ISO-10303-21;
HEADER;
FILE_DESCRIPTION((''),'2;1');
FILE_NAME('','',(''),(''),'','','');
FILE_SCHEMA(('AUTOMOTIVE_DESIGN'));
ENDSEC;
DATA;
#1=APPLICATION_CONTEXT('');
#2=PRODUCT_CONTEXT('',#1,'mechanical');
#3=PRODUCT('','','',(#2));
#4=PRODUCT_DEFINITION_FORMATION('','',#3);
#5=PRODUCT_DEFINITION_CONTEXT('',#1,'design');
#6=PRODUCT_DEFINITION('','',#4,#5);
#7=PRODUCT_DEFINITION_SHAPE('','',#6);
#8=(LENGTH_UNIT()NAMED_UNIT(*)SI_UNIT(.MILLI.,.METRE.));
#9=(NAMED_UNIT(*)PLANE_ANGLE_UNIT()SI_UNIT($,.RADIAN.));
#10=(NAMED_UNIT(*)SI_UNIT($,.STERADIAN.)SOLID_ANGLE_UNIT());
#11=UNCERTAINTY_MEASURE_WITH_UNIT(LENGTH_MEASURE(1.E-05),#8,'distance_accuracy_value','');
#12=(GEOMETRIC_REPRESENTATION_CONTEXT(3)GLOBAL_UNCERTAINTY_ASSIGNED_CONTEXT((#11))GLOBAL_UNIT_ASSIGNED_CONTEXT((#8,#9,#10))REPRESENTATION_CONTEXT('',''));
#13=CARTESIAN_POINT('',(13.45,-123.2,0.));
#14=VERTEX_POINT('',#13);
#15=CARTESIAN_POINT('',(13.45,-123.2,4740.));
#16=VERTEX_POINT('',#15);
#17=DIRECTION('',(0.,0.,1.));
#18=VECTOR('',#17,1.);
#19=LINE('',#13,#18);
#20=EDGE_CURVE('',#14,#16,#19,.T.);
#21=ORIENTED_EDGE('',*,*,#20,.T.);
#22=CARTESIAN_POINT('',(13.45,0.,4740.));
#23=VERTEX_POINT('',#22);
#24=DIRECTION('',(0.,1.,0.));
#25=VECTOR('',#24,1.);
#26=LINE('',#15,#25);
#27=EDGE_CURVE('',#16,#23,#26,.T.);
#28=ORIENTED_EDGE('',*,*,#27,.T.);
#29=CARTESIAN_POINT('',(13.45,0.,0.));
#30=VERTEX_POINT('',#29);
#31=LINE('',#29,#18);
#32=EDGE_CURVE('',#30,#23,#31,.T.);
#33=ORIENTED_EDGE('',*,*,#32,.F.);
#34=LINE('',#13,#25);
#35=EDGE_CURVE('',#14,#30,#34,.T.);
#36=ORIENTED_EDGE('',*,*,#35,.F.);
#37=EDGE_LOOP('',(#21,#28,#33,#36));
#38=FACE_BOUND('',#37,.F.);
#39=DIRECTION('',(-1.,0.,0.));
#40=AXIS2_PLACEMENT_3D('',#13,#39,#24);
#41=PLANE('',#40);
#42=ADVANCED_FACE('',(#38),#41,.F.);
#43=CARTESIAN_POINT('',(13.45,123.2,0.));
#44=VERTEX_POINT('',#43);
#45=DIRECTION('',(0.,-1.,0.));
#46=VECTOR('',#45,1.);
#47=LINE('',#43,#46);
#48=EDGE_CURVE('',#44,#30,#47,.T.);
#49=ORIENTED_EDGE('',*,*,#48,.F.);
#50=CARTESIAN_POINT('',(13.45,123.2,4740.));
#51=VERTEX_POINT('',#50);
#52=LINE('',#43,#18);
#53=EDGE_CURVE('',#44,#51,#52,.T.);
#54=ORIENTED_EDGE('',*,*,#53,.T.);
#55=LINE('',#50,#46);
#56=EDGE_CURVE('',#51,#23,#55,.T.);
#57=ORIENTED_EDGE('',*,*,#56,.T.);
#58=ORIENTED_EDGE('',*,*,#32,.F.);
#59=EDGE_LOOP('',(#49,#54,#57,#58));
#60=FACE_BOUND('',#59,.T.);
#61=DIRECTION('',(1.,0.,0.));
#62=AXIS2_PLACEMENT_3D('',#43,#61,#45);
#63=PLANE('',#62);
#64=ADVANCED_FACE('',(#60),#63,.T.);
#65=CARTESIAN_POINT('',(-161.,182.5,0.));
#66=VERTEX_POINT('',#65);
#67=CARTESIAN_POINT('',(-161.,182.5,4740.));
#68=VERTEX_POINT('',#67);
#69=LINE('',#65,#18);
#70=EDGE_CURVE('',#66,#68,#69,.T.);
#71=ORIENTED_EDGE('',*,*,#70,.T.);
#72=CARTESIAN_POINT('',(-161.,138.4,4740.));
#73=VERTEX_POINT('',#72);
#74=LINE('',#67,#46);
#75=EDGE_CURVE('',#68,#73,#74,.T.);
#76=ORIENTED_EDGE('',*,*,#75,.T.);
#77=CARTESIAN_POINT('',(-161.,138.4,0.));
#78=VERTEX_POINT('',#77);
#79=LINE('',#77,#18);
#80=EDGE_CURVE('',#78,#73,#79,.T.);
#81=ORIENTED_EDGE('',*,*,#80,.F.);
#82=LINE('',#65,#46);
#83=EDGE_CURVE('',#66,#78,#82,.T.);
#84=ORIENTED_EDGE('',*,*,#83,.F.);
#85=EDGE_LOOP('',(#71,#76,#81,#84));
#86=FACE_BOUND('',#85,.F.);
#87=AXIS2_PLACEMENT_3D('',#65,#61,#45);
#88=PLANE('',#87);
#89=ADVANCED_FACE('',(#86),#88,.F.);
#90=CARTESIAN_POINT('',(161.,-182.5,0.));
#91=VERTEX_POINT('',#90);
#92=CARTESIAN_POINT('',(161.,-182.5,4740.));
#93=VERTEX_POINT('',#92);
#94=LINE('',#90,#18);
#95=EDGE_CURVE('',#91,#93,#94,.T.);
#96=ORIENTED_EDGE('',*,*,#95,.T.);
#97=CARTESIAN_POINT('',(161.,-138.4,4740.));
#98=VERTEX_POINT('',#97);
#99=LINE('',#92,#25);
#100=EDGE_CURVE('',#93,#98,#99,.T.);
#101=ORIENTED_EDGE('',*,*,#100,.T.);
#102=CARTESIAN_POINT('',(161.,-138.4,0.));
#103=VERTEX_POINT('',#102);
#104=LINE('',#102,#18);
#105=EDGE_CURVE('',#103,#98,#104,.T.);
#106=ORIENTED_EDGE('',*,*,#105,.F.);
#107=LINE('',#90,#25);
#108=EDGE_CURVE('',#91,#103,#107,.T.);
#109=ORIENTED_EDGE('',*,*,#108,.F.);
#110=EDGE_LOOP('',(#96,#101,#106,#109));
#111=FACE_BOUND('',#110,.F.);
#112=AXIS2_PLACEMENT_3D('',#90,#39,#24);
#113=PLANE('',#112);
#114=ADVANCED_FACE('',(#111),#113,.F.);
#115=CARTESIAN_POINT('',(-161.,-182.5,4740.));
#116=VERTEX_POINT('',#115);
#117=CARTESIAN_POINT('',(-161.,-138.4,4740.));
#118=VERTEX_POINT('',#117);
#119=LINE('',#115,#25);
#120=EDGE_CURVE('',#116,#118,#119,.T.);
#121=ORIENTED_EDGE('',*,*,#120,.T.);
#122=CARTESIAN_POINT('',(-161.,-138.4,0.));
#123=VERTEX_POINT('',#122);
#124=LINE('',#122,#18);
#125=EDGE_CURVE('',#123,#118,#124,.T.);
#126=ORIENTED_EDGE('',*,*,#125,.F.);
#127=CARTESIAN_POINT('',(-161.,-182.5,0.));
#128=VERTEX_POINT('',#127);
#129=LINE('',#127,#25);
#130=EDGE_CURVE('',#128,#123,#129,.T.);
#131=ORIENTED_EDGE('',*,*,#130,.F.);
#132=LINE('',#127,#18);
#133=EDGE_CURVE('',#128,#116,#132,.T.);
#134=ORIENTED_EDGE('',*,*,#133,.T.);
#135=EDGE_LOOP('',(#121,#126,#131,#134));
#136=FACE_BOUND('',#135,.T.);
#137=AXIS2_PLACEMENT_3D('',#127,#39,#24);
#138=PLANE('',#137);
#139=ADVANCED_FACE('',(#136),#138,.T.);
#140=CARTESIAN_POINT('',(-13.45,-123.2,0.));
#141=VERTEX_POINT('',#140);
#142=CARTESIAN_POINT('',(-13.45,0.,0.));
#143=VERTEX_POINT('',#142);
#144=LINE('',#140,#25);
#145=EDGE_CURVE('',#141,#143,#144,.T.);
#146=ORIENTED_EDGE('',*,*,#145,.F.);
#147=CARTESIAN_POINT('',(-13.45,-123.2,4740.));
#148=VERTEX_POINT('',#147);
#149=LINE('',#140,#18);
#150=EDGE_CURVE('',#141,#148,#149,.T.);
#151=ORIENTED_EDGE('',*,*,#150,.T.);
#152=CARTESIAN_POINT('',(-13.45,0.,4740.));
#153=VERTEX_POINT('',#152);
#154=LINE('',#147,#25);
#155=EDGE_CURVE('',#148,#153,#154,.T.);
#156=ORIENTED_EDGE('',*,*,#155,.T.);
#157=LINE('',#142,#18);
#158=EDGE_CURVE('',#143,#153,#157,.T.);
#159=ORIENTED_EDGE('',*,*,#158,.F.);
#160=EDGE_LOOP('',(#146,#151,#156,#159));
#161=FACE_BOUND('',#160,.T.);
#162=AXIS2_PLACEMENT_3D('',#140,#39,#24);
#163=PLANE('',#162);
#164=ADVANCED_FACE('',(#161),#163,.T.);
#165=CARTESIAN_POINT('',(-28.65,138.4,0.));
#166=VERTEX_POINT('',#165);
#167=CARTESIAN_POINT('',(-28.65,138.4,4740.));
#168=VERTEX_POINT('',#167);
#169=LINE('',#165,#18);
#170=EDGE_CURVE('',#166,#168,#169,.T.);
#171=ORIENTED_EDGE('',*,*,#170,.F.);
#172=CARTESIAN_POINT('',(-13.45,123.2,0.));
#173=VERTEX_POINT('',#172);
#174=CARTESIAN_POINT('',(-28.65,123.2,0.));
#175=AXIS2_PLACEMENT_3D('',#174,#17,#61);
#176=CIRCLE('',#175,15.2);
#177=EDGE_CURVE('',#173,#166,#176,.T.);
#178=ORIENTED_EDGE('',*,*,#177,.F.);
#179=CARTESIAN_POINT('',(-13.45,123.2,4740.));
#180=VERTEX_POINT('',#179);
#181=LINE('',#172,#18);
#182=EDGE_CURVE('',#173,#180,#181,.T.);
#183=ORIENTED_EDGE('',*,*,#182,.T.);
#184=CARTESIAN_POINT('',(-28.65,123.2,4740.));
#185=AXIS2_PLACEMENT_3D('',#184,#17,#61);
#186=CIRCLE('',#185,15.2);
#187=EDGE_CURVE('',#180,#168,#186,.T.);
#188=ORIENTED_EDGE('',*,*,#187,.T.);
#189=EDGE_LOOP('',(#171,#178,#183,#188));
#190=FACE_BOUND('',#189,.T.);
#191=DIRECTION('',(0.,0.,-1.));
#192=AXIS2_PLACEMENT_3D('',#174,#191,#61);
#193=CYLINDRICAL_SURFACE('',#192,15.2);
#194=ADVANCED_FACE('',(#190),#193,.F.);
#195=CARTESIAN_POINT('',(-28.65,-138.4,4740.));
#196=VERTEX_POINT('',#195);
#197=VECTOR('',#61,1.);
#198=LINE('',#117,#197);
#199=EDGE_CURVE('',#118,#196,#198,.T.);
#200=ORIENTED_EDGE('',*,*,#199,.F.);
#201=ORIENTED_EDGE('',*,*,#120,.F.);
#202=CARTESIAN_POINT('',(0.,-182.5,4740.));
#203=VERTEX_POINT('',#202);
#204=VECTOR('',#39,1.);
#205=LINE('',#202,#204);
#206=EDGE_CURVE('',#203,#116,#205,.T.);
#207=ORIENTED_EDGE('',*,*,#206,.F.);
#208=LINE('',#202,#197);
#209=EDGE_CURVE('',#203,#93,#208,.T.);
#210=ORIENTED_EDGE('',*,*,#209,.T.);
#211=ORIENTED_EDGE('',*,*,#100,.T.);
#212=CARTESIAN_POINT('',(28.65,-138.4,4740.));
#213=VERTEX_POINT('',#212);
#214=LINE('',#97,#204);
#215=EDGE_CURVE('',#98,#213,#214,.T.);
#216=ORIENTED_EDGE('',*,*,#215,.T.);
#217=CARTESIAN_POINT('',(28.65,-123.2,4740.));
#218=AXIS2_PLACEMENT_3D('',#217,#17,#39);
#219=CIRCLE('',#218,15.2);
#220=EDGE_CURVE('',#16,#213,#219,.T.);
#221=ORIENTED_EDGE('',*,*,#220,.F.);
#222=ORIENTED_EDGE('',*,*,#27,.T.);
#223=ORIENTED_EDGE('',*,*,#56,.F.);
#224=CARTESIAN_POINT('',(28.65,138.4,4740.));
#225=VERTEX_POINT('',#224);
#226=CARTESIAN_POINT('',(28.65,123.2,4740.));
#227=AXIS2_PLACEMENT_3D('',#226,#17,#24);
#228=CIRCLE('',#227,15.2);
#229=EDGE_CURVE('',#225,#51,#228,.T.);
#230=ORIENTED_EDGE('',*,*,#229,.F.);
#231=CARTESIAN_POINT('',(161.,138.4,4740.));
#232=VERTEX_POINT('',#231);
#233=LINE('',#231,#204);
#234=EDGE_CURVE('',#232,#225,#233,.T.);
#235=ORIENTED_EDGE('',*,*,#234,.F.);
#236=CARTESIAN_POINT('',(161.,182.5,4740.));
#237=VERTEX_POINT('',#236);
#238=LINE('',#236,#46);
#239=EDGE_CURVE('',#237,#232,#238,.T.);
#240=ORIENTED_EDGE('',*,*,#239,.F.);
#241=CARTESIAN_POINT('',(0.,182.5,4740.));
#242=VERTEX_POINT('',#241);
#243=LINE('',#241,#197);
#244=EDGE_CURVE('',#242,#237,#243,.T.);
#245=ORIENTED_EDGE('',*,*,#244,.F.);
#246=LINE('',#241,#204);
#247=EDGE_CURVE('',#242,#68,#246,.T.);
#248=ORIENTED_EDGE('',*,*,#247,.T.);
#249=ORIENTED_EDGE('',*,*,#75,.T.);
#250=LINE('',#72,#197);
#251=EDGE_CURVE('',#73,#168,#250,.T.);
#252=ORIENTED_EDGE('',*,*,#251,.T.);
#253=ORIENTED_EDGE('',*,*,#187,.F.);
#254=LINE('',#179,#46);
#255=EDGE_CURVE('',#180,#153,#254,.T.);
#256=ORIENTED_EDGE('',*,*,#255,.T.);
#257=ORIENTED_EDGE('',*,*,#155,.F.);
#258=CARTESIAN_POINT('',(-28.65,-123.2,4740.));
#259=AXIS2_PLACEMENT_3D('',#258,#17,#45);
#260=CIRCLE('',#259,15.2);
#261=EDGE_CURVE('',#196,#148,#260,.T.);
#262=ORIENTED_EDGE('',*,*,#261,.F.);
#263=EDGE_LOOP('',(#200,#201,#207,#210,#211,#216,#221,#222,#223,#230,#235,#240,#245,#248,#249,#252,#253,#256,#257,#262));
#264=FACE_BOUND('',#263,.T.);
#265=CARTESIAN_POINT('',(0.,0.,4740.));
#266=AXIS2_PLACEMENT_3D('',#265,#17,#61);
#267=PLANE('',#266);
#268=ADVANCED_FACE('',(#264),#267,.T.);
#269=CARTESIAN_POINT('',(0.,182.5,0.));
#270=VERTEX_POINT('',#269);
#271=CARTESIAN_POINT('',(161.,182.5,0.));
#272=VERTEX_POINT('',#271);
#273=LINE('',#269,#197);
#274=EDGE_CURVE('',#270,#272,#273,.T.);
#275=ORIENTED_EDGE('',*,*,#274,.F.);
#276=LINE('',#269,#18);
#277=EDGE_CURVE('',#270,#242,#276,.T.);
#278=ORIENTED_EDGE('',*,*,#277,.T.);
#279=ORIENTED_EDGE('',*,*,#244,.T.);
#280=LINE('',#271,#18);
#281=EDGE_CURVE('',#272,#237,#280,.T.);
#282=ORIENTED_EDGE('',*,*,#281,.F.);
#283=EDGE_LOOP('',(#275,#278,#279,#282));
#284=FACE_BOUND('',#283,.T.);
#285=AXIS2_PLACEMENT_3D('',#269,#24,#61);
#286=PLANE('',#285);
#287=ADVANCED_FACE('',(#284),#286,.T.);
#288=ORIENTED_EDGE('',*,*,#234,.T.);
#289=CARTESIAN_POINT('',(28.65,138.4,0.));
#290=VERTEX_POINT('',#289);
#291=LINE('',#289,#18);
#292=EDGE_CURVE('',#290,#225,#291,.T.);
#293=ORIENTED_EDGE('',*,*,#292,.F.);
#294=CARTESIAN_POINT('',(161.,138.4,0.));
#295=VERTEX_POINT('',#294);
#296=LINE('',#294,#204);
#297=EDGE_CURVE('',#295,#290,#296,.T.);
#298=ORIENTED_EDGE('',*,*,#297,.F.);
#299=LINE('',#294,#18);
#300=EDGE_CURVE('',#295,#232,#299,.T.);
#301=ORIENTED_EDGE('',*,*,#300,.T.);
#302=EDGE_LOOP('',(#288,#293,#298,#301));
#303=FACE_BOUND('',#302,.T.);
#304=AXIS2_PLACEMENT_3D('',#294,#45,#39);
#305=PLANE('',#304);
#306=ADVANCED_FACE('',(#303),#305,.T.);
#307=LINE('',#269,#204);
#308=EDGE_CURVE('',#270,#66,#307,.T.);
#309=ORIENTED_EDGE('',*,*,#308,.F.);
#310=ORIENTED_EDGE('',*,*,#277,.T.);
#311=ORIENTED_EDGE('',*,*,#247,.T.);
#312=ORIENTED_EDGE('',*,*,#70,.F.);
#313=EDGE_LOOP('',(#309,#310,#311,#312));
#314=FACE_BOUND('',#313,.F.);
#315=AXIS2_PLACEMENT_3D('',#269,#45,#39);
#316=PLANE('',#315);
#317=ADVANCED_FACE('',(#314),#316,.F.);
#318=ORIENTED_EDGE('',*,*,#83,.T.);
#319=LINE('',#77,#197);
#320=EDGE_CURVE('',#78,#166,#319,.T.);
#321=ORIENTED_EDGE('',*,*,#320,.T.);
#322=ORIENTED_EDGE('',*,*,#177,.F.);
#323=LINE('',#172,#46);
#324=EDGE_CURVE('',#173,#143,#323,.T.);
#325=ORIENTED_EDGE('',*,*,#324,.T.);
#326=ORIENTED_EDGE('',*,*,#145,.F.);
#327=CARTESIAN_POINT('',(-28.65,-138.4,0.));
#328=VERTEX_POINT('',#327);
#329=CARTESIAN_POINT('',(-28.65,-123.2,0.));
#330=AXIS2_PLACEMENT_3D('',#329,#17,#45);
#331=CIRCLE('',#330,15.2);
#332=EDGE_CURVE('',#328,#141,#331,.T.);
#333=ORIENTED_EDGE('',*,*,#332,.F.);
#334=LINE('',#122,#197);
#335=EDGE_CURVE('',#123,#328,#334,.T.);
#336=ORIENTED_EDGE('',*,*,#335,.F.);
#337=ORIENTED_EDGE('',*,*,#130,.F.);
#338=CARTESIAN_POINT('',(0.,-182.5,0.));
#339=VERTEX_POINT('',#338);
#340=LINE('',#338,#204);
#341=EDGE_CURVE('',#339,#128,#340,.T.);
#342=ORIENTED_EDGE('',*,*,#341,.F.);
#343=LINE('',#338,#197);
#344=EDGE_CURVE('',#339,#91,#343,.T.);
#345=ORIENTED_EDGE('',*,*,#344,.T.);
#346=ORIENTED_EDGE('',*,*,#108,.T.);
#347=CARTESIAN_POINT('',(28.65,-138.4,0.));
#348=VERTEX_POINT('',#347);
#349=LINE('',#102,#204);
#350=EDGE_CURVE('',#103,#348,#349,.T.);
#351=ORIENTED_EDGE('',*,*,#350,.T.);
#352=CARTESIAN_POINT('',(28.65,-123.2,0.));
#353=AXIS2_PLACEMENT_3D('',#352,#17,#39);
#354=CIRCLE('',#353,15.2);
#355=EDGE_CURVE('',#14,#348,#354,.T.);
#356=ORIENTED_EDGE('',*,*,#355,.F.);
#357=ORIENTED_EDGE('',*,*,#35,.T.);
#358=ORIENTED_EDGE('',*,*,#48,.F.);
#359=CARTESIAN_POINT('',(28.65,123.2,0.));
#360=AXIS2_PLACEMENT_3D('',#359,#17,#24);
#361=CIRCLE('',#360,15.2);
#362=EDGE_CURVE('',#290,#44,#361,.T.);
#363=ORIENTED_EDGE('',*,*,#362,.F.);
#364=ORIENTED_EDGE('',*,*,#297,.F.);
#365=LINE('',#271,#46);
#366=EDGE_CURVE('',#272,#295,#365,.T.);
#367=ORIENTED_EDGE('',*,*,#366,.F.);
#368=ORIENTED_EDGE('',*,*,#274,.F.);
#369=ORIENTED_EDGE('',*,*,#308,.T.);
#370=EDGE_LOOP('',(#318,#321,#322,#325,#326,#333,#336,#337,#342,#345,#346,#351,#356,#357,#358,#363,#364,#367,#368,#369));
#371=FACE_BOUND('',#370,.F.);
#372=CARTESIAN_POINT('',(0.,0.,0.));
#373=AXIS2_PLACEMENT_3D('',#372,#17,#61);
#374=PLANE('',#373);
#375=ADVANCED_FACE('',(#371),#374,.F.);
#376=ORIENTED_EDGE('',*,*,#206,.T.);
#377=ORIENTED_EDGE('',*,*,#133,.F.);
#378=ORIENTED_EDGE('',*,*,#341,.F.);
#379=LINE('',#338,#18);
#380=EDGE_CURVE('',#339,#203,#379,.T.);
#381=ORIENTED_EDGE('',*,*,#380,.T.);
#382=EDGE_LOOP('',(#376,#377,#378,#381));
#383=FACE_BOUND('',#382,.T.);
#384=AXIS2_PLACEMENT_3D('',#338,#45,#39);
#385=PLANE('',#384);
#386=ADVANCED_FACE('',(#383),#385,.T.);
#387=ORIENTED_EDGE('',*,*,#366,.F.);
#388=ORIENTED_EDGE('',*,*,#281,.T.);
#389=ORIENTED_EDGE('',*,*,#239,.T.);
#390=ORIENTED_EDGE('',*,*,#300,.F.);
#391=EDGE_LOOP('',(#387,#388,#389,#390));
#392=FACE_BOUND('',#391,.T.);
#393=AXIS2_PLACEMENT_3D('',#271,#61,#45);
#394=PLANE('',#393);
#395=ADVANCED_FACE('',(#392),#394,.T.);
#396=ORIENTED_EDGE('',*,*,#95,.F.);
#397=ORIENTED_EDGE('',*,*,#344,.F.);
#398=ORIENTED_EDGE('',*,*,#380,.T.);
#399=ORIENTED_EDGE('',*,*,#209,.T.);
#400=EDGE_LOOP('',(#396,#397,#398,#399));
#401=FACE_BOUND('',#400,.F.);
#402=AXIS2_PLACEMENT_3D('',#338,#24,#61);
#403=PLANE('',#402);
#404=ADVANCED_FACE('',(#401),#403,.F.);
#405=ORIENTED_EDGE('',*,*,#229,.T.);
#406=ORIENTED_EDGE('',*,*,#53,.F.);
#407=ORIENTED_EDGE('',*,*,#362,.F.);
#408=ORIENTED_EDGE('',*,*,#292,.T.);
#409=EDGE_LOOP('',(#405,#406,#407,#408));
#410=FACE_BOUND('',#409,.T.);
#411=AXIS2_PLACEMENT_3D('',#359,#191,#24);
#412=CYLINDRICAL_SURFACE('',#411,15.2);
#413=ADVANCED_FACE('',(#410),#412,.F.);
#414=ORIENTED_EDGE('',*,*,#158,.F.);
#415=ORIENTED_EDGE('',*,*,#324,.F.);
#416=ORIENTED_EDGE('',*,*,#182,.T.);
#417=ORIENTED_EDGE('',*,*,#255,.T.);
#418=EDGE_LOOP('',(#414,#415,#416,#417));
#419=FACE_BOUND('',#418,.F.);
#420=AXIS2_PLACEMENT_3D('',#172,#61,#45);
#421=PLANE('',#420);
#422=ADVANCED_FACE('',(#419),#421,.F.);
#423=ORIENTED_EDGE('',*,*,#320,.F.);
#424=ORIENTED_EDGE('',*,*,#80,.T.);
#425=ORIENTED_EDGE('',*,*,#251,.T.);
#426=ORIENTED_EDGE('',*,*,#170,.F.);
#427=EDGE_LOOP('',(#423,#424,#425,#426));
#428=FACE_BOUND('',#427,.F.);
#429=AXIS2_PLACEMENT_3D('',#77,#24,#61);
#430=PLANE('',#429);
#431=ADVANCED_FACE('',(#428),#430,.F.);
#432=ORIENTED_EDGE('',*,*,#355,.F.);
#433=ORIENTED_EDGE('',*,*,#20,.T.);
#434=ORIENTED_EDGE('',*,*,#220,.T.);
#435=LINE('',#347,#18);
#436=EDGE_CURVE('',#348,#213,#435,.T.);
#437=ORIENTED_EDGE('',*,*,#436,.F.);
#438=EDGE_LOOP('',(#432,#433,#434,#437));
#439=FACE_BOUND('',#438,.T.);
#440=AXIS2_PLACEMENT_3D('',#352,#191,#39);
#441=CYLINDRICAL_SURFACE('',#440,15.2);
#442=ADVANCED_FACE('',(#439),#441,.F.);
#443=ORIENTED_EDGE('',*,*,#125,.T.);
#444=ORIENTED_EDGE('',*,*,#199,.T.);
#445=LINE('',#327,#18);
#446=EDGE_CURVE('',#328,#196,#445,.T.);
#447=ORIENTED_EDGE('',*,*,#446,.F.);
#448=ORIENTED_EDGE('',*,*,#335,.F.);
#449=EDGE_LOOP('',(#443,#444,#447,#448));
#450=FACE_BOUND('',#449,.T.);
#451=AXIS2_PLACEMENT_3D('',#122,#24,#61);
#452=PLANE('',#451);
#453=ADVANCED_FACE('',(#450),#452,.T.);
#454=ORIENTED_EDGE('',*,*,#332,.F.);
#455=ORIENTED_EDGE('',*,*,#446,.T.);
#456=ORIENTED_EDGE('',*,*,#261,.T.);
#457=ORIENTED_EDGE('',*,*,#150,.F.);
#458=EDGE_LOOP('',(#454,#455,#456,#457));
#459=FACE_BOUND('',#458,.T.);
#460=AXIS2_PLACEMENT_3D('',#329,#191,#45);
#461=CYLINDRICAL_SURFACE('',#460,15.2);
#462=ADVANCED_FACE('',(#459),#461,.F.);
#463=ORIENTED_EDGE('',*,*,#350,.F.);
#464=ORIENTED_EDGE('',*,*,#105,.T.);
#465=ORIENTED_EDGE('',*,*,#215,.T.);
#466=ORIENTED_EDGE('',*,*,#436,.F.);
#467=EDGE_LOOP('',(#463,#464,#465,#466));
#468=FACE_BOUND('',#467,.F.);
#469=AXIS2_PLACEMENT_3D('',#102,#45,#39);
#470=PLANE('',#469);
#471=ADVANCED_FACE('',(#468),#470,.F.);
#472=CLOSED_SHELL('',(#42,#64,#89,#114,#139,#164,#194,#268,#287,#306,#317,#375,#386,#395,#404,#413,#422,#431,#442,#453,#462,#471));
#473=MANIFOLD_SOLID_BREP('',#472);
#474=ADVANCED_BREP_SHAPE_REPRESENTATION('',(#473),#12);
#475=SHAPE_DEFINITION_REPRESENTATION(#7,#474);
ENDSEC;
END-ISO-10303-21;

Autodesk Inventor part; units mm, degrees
ref_plane "YZ Plane" through (0, 0, 0) normal (1, 0, 0) x (0, 1, 0)
ref_plane "Start plane" through (0, 0, 0) normal (0, 0, 1) x (1, 0, 0)
ref_plane "End plane" through (0, 0, 4740) normal (0, 0, 1) x (1, 0, 0)
sketch "Sketch" plane through (0, 0, 0) normal (0, 0, 1) x (1, 0, 0)
  line L0 (-161, -182.5) -> (-161, -138.4)
  line L1 (-161, -138.4) -> (-28.65, -138.4)
  line L2 (-13.45, -123.2) -> (-13.45, 0)
  line L3 (-13.45, 0) -> (0, 0) construction
  line L4 (0, 0) -> (0, -182.5) construction
  line L5 (0, -182.5) -> (-161, -182.5)
  line L6 (-60, 0) -> (80, 0) construction
  line L7 (0, -60) -> (0, 80) construction
  line L8 (161, -182.5) -> (161, -138.4)
  line L9 (161, -138.4) -> (28.65, -138.4)
  line L10 (13.45, -123.2) -> (13.45, 0)
  line L11 (13.45, 0) -> (0, 0) construction
  line L12 (0, -182.5) -> (161, -182.5)
  line L13 (-161, 182.5) -> (-161, 138.4)
  line L14 (-161, 138.4) -> (-28.65, 138.4)
  line L15 (-13.45, 123.2) -> (-13.45, 0)
  line L16 (0, 182.5) -> (-161, 182.5)
  line L17 (161, 182.5) -> (161, 138.4)
  line L18 (161, 138.4) -> (28.65, 138.4)
  line L19 (0, 182.5) -> (161, 182.5)
  line L20 (13.45, 123.2) -> (13.45, 0)
  arc A0 (-13.45, 123.2) -> (-28.65, 138.4) centre (-28.65, 123.2) ccw
  arc A1 (28.65, 138.4) -> (13.45, 123.2) centre (28.65, 123.2) ccw
  arc A2 (13.45, -123.2) -> (28.65, -138.4) centre (28.65, -123.2) ccw
  arc A3 (-28.65, -138.4) -> (-13.45, -123.2) centre (-28.65, -123.2) ccw
  line L21 (0, 108) -> (0, -88) construction
  line L22 (-88, 0) -> (108, 0) construction
  point P0 (-13.45, -138.4)
  point P1 (13.45, -138.4)
  point P2 (-13.45, 138.4)
  point P3 (13.45, 138.4)
  dimension "d1" = 182.5
  dimension "d2" = 44.1
  dimension "d3" = 161
  dimension "d4" = 13.45
  dimension "d10" = 15.2
extrude "Body" add sketch "Sketch" along normal up to surface (4740 mm away) from surface at 0
sketch "Sketch4" plane through (0, 0, 0) normal (0, 0, 1) x (1, 0, 0)
  line L0 (0, 0) -> (10, 0)
ref_plane "Work Plane3" through (0, 0, 0) normal (0, -1, 0) x (1, 0, 0)
sketch "Sketch5" plane through (0, 0, 0) normal (0, -1, 0) x (1, 0, 0)
  line L0 (-2, 0) -> (12, 0) projected
  line L1 (-2, 4740) -> (12, 4740) projected
  dimension "d14" = 4740
equation "\"d1\" = 0.5 * G_H"
equation "\"d2\" = G_T1"
equation "\"d3\" = 0.5 * G_W"
equation "\"d4\" = 0.5 * G_T"
equation "\"d10\" = G_IR"
equation "\"d5\" = G_L"
equation "\"G_W\" = 322"
equation "\"G_H\" = 365"
equation "\"G_T\" = 26.9"
equation "\"G_T1\" = 44.1"
equation "\"G_IR\" = 15.2"
equation "\"G_L\" = d14"
equation "\"G_OFFSET_START\" = 0"
equation "\"G_OFFSET_END\" = 0"
properties part number "AS 3679 - 310 UC - 283 - 4740" material "Steel, Mild"
